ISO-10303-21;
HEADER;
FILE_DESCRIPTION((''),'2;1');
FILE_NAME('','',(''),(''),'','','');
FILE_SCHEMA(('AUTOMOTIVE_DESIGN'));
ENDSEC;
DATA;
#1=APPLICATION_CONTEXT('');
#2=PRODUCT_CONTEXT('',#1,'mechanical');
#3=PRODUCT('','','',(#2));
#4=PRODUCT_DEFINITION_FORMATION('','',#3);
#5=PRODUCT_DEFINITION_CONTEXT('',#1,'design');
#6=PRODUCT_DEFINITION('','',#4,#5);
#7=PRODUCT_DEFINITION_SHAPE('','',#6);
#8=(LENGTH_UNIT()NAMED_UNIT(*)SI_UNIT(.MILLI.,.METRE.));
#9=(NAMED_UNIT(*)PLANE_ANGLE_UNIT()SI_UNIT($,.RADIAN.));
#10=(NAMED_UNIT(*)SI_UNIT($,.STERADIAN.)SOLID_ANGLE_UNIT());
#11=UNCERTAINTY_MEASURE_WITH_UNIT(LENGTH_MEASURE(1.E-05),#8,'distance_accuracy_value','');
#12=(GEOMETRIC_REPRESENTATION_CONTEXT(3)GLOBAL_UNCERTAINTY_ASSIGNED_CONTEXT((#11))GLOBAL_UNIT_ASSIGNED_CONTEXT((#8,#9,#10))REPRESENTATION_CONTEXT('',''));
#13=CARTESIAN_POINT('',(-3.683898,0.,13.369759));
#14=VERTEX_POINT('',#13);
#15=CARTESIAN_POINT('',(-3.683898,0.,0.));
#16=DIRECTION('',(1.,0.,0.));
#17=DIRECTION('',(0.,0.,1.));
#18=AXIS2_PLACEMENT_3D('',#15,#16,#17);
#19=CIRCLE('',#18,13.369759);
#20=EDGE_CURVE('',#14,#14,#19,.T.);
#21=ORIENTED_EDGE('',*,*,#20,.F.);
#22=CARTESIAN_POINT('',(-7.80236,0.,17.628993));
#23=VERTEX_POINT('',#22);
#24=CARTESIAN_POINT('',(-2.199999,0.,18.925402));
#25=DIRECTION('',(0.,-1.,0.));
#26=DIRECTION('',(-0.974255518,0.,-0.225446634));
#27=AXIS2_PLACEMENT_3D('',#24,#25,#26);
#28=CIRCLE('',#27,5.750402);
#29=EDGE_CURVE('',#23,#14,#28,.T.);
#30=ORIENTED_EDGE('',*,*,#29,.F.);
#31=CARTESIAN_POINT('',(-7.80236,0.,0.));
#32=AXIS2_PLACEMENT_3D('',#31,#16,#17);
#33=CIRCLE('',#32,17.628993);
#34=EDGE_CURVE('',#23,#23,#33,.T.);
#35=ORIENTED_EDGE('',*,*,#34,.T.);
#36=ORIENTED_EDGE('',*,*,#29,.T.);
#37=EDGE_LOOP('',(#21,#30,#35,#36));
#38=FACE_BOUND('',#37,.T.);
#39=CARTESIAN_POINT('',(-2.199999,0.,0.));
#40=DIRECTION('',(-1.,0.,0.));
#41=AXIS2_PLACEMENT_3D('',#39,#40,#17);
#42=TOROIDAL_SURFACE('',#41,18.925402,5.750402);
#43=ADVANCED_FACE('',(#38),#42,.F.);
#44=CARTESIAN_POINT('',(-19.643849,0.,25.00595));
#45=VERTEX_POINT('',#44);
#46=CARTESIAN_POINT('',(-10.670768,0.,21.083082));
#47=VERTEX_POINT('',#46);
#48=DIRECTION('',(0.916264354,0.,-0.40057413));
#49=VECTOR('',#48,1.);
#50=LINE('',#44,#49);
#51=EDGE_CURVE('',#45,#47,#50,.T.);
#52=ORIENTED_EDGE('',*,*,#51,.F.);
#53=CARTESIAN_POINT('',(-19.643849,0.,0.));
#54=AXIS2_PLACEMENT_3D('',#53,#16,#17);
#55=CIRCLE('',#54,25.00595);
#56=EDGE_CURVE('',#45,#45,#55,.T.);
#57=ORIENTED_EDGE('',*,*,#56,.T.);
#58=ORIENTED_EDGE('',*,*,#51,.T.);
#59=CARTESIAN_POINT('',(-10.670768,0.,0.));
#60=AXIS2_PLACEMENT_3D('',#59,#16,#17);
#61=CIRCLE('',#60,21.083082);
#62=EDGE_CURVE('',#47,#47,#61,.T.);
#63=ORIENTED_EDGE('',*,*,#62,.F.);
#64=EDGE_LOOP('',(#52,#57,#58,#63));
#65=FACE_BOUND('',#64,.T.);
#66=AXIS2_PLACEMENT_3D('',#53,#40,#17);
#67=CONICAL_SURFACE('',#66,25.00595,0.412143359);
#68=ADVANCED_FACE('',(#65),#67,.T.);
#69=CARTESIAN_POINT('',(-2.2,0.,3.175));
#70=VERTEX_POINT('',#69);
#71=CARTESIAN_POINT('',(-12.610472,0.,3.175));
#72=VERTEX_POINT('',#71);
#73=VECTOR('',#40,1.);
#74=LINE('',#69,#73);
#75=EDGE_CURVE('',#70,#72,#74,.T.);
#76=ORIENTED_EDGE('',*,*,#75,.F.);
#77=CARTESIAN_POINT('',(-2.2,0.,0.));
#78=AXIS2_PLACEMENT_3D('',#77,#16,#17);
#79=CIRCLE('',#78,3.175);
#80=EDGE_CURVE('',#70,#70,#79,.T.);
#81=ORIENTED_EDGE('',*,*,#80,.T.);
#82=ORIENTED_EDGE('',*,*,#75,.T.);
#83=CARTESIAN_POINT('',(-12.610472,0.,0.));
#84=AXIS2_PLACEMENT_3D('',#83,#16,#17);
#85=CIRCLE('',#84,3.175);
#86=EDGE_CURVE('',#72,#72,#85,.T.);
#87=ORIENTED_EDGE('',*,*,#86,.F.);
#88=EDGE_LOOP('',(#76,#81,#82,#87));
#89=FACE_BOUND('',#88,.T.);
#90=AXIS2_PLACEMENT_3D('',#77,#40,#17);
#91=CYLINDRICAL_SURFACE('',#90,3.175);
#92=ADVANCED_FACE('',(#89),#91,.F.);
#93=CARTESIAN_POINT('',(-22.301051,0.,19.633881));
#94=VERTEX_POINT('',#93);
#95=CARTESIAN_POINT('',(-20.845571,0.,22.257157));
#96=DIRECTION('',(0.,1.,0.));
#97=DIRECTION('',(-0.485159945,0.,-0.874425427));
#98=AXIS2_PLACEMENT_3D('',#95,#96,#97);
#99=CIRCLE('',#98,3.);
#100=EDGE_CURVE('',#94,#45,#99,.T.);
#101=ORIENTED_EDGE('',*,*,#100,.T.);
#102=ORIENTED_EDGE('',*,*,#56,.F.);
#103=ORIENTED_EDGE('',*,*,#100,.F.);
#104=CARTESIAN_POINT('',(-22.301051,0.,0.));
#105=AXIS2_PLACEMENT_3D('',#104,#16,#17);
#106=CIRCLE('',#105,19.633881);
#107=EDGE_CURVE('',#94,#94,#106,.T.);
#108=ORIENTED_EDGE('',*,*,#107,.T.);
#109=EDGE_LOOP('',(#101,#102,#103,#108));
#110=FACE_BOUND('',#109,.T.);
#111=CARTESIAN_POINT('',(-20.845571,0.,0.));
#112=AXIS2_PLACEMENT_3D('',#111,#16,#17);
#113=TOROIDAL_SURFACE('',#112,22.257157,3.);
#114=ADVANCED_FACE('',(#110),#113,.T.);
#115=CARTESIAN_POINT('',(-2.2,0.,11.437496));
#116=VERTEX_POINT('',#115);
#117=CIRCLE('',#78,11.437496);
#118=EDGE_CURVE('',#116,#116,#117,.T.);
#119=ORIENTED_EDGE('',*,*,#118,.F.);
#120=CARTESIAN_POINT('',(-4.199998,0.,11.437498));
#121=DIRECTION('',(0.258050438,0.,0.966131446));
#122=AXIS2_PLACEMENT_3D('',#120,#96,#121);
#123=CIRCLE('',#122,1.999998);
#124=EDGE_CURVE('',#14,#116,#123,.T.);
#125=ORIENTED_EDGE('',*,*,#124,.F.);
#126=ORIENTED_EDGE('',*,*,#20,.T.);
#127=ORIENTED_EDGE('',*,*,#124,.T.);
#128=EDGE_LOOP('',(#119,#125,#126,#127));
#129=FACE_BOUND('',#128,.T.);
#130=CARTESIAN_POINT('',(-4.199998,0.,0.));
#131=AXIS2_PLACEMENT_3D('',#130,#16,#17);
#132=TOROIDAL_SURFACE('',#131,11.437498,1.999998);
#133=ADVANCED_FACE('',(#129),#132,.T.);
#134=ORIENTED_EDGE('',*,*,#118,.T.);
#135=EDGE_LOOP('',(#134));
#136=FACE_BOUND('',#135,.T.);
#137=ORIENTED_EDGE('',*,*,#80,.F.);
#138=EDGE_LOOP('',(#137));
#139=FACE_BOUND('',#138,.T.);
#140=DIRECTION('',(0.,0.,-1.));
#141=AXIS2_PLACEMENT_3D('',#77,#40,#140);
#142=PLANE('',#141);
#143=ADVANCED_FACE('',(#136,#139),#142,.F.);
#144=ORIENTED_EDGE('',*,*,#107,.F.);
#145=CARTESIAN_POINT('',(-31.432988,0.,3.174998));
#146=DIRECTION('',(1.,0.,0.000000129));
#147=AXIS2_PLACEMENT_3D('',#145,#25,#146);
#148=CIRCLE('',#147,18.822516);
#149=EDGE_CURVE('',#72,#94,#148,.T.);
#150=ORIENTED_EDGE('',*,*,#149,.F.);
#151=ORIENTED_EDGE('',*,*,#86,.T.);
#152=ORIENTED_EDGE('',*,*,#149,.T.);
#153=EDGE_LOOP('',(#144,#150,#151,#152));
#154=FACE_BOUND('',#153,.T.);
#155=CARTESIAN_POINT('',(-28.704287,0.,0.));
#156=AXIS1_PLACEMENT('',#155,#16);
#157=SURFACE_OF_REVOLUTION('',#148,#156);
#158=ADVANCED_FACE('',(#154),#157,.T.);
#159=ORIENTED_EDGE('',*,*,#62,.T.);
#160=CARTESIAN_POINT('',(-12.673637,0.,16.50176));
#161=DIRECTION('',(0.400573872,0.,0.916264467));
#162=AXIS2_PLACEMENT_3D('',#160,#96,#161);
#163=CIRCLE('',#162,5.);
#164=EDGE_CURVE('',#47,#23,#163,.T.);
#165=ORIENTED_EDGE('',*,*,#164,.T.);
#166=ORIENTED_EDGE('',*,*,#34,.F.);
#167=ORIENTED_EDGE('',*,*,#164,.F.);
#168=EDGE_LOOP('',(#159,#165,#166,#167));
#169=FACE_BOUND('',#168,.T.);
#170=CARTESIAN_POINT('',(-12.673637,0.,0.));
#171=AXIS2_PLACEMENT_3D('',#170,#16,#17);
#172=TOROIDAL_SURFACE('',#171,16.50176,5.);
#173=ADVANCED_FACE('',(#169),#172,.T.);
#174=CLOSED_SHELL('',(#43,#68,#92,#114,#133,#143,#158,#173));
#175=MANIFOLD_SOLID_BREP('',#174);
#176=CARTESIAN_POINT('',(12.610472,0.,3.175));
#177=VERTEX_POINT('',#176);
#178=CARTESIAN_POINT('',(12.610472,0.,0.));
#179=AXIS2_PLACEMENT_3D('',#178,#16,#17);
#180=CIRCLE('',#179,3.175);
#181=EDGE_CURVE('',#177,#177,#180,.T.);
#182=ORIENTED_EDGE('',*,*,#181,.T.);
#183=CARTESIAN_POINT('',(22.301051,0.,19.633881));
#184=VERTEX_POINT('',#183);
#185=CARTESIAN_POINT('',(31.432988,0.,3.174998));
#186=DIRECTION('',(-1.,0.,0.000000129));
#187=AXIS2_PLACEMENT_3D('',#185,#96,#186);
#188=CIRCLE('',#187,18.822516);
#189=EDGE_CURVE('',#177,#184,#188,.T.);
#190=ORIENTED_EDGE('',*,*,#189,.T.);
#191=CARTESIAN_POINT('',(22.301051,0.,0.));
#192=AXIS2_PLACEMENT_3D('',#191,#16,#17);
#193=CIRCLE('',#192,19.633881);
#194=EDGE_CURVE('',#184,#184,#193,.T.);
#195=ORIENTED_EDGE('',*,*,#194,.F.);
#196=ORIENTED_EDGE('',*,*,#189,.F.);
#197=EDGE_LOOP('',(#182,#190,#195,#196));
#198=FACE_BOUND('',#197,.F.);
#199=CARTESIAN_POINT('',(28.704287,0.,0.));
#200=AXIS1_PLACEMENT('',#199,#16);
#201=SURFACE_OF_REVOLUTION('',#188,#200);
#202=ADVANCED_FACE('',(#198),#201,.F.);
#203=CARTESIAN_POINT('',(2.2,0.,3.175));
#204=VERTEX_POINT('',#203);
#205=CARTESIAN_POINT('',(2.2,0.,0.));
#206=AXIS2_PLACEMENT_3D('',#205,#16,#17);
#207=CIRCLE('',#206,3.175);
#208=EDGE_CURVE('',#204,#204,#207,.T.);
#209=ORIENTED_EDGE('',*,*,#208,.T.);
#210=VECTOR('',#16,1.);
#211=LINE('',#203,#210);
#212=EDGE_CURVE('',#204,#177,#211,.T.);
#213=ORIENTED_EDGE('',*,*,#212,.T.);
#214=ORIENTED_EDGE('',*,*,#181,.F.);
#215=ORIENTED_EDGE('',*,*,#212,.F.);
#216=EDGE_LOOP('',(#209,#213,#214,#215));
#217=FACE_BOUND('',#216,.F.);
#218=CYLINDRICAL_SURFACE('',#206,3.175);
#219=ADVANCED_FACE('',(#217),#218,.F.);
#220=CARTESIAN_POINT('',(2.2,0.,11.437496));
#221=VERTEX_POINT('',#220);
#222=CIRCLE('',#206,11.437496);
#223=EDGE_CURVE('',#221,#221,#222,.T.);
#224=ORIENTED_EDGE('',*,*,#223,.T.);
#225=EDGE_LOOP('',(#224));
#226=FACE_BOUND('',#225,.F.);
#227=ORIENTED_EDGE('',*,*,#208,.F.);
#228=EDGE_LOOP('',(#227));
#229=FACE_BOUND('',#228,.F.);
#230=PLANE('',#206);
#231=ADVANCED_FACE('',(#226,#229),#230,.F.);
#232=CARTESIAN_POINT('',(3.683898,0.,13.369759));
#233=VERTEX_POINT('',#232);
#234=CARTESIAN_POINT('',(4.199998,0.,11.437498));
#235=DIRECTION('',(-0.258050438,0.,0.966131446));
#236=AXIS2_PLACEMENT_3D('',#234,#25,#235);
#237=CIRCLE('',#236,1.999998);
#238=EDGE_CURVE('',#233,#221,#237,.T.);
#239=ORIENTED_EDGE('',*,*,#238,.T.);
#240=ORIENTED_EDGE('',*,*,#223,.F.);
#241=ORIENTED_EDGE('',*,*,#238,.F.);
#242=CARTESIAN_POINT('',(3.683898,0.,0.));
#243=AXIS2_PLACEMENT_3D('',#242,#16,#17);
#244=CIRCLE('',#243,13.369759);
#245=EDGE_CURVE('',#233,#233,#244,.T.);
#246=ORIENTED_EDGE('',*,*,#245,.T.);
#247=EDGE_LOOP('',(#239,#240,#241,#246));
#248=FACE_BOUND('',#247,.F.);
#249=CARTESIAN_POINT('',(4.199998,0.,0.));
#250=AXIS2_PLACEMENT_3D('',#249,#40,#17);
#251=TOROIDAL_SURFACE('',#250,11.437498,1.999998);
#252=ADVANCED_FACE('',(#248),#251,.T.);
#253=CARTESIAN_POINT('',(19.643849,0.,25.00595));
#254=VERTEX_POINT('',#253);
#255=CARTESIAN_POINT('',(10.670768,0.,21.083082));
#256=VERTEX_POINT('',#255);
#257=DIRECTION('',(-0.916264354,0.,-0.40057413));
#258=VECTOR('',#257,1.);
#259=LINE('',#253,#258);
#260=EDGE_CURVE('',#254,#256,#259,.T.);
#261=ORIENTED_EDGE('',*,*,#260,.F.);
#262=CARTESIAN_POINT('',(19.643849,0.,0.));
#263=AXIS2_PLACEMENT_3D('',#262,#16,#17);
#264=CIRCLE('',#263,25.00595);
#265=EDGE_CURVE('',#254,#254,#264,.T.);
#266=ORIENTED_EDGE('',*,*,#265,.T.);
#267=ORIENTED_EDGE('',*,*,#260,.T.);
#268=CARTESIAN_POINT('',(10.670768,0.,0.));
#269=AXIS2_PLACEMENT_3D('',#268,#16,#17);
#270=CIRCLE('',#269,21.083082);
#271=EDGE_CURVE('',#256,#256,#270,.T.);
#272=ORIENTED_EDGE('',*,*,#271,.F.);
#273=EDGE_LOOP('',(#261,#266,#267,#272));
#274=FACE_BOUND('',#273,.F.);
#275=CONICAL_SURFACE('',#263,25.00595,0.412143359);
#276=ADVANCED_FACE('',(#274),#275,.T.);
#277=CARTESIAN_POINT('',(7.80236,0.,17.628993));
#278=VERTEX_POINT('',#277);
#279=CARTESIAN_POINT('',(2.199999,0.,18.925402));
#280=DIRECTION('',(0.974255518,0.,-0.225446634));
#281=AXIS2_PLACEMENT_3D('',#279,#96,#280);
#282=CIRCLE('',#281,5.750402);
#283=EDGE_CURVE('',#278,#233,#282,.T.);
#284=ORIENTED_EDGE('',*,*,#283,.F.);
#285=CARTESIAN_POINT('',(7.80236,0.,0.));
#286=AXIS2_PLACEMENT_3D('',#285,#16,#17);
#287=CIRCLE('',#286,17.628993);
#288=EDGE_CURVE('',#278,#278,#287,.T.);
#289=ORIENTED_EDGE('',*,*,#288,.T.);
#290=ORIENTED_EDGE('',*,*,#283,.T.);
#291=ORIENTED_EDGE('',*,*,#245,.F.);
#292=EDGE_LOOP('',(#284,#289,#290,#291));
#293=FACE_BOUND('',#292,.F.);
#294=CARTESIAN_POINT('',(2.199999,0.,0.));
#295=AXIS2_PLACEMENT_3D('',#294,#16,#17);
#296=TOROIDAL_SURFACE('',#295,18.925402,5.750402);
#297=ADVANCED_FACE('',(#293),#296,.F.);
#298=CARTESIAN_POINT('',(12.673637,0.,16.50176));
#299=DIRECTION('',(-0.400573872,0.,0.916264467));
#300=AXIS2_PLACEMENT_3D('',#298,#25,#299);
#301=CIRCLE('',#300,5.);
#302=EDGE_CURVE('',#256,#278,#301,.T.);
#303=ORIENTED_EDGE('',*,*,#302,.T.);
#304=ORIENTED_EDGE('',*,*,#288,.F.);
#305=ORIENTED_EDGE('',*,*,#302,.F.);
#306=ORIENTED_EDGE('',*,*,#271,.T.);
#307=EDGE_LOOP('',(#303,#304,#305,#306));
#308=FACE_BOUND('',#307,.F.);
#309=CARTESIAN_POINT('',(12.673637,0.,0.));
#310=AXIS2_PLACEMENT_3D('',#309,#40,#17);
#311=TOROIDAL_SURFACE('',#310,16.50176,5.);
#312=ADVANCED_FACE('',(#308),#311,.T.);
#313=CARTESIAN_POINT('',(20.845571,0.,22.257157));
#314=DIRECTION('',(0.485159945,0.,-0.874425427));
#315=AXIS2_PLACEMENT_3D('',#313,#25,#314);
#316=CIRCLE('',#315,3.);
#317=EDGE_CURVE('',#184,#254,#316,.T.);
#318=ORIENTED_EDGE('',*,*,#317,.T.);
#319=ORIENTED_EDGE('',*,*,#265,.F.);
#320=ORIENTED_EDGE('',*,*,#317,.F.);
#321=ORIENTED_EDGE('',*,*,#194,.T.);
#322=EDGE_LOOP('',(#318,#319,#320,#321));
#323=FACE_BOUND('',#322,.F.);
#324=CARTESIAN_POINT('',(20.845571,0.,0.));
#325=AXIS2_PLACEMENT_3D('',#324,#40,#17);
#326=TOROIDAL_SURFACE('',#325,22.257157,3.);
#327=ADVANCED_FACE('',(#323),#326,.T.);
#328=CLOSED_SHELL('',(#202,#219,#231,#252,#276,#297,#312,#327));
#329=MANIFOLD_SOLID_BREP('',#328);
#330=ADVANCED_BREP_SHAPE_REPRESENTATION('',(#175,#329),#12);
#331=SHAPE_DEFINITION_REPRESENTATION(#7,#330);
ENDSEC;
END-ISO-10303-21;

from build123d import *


with BuildPart() as f1:
    # F0 (on Front) → F1 (revolve)
    with BuildSketch(Plane.XZ):
        with BuildLine():
            Line((2.2, 11.437496), (2.2, 3.175))
            Line((2.2, 3.175), (12.610472, 3.175))
            ThreePointArc((12.610472, 3.175), (15.213045, 12.724896), (22.301051, 19.633881))
            ThreePointArc((22.301051, 19.633881), (23.534601, 23.587239), (19.643849, 25.00595))
            Line((19.643849, 25.00595), (10.670768, 21.083082))
            ThreePointArc((10.670768, 21.083082), (8.82706, 19.696105), (7.80236, 17.628993))
            ThreePointArc((7.80236, 17.628993), (6.333888, 14.928142), (3.683898, 13.369759))
            ThreePointArc((3.683898, 13.369759), (2.613777, 12.65565), (2.2, 11.437496))
        make_face()
    revolve(axis=Axis((28.704287, 0, 0), (1, 0, 0)))


with BuildPart() as f2_1:
    # F2: instance of F1
    add(f1.part.mirror(Plane.YZ))


solid = Compound([f1.part, f2_1.part])
